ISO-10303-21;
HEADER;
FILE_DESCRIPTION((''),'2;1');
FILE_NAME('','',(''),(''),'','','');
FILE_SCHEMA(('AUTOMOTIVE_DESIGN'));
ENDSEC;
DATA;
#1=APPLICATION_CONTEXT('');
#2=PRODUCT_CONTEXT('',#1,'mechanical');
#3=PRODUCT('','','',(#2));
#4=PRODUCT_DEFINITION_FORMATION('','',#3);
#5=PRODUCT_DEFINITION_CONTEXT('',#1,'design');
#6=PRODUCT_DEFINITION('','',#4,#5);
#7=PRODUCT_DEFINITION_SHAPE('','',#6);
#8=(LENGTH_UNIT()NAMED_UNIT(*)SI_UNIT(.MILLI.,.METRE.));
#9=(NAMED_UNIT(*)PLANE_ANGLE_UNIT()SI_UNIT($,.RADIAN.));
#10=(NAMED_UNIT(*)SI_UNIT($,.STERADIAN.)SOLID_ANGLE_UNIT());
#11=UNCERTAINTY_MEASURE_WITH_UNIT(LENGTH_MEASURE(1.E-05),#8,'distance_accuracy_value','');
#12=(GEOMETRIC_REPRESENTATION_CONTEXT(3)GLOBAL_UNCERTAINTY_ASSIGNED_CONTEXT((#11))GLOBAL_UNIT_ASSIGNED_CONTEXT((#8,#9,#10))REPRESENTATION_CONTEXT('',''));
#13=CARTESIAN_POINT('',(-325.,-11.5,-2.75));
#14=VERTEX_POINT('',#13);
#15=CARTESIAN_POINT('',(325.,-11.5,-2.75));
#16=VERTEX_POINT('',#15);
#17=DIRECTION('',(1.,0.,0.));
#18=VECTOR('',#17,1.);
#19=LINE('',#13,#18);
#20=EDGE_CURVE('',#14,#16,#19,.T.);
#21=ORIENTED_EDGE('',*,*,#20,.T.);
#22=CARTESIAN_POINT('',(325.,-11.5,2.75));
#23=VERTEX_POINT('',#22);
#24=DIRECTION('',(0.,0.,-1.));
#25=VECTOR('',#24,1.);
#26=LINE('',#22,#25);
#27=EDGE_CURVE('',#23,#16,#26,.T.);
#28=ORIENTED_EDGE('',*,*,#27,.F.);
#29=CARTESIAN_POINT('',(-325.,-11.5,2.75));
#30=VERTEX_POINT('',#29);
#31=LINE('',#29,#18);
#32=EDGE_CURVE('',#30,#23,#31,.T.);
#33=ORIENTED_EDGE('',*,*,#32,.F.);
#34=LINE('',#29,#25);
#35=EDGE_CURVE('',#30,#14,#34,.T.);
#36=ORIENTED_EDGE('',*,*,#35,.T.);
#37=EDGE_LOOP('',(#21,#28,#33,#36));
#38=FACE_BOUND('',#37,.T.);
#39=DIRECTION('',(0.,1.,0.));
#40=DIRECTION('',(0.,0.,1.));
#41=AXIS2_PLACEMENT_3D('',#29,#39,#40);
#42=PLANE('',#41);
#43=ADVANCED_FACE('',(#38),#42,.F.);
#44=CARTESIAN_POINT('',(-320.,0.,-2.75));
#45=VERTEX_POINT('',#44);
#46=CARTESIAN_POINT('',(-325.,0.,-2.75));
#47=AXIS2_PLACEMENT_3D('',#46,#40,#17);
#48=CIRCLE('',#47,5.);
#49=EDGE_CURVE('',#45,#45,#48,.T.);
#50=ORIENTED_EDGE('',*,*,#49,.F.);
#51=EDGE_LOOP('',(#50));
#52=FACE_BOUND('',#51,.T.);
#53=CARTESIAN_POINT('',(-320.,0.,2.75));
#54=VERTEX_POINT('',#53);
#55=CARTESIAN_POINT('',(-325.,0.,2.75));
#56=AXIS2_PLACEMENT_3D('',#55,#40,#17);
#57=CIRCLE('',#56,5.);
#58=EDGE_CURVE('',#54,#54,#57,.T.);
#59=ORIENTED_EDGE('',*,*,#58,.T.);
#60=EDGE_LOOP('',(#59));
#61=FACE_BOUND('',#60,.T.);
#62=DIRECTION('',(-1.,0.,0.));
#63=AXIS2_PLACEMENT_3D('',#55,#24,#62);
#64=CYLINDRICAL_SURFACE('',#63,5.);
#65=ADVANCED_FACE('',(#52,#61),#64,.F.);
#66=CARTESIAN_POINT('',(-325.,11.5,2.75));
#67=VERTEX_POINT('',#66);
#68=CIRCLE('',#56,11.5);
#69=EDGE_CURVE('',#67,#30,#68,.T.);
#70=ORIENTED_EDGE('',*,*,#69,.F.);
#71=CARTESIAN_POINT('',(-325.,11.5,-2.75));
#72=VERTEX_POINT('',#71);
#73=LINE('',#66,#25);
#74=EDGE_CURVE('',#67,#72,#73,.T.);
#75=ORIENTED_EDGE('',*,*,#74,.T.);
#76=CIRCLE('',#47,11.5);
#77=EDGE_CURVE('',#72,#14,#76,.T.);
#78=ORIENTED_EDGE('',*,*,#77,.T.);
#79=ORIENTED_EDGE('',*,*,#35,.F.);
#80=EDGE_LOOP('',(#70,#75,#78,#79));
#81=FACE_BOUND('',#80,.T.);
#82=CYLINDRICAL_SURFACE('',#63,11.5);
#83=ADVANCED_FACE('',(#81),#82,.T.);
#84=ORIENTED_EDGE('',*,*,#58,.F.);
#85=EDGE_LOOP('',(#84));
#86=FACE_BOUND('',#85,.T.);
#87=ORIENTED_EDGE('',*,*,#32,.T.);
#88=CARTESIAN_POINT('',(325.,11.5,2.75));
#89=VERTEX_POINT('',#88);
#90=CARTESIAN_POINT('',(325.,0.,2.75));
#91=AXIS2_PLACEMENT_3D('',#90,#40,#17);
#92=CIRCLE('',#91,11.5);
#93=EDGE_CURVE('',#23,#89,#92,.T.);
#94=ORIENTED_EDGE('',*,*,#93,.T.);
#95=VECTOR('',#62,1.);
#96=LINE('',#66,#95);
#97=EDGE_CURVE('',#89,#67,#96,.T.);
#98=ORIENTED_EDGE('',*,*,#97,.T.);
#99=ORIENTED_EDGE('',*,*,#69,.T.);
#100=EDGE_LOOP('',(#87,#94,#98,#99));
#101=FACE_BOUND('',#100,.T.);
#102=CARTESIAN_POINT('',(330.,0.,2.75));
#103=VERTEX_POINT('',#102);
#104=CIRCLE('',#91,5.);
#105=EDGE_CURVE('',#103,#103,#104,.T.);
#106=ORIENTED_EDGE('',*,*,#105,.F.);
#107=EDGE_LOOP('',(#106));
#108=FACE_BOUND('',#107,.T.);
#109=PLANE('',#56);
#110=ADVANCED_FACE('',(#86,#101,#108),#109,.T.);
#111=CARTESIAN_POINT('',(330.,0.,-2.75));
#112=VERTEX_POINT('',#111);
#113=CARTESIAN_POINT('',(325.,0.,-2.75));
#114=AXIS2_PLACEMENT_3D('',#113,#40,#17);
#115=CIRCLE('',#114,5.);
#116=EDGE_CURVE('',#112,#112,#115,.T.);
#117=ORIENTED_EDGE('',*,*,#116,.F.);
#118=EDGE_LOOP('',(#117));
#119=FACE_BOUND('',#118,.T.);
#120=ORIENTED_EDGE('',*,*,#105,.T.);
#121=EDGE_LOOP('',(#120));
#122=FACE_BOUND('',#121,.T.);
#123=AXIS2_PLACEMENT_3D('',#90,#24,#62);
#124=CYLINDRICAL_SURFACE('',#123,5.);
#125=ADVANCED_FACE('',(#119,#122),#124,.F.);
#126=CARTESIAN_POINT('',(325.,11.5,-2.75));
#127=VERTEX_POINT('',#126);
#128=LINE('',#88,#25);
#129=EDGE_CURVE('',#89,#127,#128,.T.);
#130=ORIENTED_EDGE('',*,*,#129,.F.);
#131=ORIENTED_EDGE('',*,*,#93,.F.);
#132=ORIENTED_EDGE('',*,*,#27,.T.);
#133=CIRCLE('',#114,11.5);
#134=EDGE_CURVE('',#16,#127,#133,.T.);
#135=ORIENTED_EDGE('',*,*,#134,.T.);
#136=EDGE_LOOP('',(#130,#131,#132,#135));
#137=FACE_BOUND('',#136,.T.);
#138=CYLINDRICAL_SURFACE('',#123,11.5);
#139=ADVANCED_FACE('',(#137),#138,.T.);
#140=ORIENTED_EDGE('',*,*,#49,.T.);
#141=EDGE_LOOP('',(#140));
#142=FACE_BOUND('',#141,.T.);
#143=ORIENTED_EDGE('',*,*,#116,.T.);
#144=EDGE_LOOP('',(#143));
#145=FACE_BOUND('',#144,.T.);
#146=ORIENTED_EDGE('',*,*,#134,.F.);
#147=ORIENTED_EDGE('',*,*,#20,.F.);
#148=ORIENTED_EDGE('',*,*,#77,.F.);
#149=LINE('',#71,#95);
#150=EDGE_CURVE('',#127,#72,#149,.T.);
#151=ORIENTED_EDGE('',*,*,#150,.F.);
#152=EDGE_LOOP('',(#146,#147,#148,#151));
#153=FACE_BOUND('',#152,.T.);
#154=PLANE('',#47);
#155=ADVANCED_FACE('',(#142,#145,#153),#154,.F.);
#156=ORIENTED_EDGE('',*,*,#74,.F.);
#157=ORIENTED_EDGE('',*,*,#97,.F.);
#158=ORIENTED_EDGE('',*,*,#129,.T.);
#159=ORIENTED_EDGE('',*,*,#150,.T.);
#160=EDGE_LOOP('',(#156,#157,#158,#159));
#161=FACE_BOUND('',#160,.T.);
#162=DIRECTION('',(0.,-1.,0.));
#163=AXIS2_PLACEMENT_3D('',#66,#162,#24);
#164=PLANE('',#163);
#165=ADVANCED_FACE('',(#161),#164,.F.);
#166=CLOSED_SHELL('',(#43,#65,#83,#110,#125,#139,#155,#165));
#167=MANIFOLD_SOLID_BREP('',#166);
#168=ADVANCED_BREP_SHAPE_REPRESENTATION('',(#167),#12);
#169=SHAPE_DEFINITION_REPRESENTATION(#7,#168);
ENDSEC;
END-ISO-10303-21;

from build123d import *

# Parameters (mm, degrees)
SKETCH1_R           = 5
BOSS_EXTRUDE1_DEPTH = 2.75


with BuildPart() as part:
    # Sketch1 → Boss-Extrude1 (new body, symmetric)
    with BuildSketch(Plane.XY):
        with BuildLine():
            Line((-325, 11.5), (325, 11.5))
            ThreePointArc((325, 11.5), (336.5, 0), (325, -11.5))
            Line((325, -11.5), (-325, -11.5))
            ThreePointArc((-325, -11.5), (-336.5, 0), (-325, 11.5))
        make_face()
        with Locations((-325, 0)):
            Circle(SKETCH1_R, mode=Mode.SUBTRACT)
        with Locations((325, 0)):
            Circle(SKETCH1_R, mode=Mode.SUBTRACT)
    extrude(amount=BOSS_EXTRUDE1_DEPTH, both=True)


solid = part.part
